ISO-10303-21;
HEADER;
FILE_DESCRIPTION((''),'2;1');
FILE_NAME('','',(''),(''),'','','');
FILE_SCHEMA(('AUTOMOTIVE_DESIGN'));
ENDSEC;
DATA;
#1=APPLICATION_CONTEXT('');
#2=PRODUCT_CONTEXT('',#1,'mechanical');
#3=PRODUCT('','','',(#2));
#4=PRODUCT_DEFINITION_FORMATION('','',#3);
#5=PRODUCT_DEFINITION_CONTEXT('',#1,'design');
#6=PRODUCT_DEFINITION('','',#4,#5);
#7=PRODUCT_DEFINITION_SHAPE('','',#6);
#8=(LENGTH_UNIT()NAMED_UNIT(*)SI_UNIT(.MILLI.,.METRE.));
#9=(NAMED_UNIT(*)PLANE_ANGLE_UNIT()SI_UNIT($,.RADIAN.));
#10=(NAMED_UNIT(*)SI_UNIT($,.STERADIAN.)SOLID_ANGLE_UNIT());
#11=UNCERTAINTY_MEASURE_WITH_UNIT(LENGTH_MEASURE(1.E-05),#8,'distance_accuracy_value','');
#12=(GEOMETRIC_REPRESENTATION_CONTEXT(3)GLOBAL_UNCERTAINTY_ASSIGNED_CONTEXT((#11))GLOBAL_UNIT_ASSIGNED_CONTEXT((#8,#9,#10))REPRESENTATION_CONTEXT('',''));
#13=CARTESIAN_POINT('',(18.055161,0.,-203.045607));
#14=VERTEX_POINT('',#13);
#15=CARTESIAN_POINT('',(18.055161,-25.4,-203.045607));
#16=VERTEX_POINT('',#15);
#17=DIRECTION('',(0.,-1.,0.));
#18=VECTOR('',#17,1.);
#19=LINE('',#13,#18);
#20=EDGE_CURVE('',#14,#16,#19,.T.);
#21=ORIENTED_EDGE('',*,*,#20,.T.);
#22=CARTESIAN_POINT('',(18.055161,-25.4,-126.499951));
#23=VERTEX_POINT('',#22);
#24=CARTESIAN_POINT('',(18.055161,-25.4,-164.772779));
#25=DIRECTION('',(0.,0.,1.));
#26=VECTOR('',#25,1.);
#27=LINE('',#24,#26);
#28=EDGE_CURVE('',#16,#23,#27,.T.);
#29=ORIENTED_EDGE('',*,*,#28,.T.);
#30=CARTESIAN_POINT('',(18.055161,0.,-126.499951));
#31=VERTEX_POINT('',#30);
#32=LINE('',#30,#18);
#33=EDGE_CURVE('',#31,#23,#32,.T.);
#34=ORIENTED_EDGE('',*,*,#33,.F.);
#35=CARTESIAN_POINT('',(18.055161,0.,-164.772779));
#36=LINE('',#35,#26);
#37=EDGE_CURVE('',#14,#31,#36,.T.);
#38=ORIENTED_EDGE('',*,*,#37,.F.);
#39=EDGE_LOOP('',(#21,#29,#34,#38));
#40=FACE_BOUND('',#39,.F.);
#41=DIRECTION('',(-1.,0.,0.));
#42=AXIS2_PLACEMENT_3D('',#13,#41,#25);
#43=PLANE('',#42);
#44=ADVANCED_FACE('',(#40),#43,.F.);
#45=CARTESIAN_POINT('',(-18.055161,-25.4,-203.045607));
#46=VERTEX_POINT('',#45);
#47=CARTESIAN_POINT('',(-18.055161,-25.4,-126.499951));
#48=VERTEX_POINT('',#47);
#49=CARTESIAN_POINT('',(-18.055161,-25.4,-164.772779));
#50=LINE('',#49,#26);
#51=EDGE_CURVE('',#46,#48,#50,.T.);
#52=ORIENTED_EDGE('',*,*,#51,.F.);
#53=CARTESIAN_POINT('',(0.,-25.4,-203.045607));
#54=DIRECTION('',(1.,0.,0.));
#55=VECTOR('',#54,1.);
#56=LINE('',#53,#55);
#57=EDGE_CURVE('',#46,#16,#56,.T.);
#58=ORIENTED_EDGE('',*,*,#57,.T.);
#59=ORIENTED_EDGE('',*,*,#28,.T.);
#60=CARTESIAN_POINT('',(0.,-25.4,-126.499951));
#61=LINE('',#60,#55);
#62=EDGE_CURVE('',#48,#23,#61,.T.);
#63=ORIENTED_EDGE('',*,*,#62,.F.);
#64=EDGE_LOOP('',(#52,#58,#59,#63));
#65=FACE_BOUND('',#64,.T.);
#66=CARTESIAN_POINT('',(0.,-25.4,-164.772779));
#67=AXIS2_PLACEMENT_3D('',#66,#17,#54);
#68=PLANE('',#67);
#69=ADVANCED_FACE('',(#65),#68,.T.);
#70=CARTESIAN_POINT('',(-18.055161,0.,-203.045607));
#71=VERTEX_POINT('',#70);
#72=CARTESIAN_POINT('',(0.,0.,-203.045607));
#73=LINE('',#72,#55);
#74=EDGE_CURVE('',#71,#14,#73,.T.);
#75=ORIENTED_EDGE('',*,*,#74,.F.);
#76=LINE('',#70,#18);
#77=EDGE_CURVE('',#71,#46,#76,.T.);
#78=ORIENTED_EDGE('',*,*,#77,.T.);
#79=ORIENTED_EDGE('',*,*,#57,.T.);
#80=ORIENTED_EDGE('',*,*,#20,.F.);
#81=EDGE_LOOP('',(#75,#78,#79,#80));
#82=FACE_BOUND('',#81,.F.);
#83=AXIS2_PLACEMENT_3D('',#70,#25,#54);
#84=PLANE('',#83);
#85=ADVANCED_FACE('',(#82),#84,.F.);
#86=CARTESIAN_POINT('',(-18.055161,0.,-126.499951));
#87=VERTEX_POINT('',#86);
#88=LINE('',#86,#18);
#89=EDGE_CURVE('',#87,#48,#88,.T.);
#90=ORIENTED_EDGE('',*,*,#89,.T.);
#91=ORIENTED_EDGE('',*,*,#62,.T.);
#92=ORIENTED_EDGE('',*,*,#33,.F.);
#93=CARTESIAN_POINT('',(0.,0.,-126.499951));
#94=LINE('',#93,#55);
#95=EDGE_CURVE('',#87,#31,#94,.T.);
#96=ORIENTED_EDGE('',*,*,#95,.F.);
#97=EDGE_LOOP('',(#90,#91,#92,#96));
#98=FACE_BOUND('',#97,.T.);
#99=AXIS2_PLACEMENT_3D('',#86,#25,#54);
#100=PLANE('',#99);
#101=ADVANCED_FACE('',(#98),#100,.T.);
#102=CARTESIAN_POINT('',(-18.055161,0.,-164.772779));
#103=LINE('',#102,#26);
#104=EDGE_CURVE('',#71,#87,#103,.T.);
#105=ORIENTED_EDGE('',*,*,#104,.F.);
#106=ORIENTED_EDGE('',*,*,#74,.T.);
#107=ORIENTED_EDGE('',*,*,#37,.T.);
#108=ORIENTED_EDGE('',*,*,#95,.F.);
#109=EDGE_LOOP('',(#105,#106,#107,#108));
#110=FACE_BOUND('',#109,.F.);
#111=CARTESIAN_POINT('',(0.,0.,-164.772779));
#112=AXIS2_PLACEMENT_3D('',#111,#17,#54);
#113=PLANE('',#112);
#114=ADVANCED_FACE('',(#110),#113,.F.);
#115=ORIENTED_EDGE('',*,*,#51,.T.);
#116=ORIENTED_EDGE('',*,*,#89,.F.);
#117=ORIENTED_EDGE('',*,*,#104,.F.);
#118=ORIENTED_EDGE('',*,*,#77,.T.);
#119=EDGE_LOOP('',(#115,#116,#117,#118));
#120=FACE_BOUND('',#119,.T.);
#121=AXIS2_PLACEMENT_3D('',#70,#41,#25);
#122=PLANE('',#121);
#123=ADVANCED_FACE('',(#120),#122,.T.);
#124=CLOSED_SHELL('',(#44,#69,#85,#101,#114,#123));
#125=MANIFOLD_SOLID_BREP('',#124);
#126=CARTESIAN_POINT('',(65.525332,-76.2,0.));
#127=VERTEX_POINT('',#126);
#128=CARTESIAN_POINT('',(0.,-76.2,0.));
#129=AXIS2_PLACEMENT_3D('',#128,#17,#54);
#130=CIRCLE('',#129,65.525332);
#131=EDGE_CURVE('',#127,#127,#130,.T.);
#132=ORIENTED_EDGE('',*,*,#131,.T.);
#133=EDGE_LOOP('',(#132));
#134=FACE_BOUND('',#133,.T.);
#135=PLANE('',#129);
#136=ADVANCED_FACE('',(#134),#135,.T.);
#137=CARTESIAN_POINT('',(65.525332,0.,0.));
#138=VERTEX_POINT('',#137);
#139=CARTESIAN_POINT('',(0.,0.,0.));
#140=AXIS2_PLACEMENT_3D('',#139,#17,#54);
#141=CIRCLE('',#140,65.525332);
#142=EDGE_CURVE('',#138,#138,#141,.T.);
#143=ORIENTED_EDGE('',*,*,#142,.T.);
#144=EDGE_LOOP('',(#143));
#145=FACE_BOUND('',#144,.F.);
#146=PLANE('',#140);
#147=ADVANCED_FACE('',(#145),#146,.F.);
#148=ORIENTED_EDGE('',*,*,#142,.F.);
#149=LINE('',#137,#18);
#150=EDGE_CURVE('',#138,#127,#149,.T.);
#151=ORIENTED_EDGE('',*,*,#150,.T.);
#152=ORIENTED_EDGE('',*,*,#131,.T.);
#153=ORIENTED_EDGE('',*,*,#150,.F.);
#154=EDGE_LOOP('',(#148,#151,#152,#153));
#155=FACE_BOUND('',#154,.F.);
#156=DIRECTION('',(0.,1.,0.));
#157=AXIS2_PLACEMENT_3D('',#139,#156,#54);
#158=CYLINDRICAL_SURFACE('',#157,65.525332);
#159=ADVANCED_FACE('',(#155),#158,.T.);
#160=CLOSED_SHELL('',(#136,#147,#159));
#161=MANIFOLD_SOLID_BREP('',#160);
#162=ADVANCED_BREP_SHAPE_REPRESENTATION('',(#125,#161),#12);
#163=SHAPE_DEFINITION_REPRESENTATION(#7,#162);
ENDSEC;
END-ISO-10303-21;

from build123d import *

# Parameters (mm, degrees)
F0_R     = 65.525332
F1_DEPTH = 76.2
F2_W     = 36.110322
F2_H     = 76.545656
F3_DEPTH = 25.4


with BuildPart() as f1:
    # F0 (on Front) → F1 (new body)
    with BuildSketch(Plane.XZ):
        Circle(F0_R)
    extrude(amount=F1_DEPTH)


with BuildPart() as f3:
    # F2 (on Front) → F3 (new body)
    with BuildSketch(Plane.XZ):
        with Locations((0, -164.772779)):
            Rectangle(F2_W, F2_H)
    extrude(amount=F3_DEPTH)


solid = Compound([f1.part, f3.part])
